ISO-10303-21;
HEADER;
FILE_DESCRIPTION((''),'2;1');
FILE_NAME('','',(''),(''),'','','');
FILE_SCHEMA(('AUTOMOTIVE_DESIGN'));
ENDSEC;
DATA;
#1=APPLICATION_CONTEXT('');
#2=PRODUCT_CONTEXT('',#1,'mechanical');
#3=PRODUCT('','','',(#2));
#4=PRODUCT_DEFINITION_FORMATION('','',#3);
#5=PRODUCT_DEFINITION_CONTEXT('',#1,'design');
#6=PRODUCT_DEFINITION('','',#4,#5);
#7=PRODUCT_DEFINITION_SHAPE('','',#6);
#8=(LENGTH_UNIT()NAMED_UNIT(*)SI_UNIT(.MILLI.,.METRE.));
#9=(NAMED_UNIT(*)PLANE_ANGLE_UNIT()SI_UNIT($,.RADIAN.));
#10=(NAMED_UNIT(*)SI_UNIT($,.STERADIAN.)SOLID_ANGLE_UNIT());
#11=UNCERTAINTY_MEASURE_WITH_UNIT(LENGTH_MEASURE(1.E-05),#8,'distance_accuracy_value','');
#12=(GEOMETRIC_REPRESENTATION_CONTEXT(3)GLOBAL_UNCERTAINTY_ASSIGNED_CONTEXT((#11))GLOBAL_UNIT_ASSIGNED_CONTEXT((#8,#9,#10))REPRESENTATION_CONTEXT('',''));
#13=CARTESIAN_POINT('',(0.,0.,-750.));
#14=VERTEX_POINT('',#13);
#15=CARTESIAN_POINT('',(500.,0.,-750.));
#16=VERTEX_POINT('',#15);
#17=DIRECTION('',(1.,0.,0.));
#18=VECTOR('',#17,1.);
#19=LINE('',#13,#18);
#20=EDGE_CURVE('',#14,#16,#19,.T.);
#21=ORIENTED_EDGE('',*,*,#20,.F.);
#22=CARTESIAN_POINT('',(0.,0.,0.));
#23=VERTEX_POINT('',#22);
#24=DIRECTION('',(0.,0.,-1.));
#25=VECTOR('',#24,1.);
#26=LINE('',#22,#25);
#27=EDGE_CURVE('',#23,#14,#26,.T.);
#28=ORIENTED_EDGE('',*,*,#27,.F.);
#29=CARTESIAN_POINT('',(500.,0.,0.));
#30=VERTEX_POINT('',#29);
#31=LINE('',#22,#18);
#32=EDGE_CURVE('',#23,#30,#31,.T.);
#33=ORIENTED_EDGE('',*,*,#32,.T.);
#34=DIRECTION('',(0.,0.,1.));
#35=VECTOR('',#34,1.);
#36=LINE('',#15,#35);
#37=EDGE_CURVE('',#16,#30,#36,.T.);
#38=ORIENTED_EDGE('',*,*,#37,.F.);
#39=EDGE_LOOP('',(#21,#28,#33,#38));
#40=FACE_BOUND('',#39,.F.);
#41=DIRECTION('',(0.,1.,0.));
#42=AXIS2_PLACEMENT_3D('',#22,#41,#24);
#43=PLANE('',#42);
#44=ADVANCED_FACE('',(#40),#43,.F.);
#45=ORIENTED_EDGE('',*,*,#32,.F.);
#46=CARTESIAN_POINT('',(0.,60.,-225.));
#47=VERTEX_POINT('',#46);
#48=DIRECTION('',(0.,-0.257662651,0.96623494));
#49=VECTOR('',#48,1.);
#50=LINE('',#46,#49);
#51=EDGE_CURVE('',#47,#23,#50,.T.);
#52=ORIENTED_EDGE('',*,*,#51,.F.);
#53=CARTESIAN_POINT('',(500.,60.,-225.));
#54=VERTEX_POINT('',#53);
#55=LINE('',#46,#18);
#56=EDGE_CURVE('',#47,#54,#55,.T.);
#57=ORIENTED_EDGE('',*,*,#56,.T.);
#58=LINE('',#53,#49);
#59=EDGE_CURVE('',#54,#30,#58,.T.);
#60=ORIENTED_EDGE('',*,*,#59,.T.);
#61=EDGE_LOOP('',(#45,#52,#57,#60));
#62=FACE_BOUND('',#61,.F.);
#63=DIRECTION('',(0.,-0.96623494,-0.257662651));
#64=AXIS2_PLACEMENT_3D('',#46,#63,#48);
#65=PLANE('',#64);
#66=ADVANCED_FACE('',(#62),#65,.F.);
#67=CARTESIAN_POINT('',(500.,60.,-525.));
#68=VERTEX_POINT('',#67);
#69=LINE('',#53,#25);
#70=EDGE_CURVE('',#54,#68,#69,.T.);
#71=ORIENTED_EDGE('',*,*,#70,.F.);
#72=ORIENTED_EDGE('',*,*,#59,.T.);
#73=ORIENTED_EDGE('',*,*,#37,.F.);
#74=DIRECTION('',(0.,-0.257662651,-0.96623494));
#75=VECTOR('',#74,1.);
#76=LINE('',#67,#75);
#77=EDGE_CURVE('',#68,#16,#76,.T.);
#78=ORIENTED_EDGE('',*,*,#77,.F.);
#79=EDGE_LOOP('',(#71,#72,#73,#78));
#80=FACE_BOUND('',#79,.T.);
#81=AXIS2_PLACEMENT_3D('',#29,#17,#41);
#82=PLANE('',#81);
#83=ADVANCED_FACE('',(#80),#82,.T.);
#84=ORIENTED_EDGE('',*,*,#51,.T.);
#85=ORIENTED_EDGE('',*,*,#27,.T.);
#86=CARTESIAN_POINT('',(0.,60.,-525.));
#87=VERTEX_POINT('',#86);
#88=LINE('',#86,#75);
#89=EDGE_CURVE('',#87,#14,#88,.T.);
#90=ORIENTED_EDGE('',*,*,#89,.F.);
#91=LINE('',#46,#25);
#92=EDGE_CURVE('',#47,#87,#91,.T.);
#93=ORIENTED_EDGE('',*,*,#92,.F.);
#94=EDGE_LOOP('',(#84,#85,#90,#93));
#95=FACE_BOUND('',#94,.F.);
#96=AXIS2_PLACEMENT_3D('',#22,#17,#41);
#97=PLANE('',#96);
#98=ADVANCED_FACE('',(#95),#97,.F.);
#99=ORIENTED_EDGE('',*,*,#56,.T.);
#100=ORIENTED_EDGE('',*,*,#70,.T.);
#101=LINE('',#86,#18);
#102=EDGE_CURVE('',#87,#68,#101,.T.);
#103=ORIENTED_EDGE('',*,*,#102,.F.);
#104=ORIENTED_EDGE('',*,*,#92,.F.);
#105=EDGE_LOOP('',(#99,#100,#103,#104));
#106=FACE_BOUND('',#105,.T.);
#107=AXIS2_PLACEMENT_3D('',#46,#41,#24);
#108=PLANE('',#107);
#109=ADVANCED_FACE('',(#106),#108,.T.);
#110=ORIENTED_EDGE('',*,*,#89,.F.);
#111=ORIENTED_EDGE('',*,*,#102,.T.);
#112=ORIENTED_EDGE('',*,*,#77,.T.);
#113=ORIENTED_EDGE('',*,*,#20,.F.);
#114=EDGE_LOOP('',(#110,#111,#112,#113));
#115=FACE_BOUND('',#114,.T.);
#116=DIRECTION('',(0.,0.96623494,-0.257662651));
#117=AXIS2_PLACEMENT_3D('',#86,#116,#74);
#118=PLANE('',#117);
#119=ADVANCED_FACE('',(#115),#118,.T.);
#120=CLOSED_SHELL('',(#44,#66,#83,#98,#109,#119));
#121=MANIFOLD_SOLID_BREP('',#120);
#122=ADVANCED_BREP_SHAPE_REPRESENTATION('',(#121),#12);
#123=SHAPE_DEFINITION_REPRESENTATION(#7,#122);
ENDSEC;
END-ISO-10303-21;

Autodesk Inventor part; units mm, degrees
ref_plane "YZ Plane" through (0, 0, 0) normal (1, 0, 0) x (0, 1, 0)
ref_plane "XZ Plane" through (0, 0, 0) normal (0, 1, 0) x (-1, 0, 0)
ref_plane "XY Plane" through (0, 0, 0) normal (0, 0, 1) x (1, 0, 0)
sketch "Sketch1" plane through (0, 0, 0) normal (1, 0, 0) x (0, 1, 0)
  line L0 (0, 0) -> (0, -225)
  line L1 (0, -225) -> (60, -225)
  line L2 (60, -225) -> (0, 0)
  line L3 (60, -225) -> (60, -525)
  line L4 (60, -525) -> (0, -750)
  line L5 (0, -750) -> (0, -225)
  line L6 (60, -525) -> (0, -525)
  dimension "d0" = 225
  dimension "d1" = 60
  dimension "d2" = 300
  dimension "d3" = 225
extrude "Extrusion1" add sketch "Sketch1" along normal blind 500
properties part number "ramp" material "Brass"
